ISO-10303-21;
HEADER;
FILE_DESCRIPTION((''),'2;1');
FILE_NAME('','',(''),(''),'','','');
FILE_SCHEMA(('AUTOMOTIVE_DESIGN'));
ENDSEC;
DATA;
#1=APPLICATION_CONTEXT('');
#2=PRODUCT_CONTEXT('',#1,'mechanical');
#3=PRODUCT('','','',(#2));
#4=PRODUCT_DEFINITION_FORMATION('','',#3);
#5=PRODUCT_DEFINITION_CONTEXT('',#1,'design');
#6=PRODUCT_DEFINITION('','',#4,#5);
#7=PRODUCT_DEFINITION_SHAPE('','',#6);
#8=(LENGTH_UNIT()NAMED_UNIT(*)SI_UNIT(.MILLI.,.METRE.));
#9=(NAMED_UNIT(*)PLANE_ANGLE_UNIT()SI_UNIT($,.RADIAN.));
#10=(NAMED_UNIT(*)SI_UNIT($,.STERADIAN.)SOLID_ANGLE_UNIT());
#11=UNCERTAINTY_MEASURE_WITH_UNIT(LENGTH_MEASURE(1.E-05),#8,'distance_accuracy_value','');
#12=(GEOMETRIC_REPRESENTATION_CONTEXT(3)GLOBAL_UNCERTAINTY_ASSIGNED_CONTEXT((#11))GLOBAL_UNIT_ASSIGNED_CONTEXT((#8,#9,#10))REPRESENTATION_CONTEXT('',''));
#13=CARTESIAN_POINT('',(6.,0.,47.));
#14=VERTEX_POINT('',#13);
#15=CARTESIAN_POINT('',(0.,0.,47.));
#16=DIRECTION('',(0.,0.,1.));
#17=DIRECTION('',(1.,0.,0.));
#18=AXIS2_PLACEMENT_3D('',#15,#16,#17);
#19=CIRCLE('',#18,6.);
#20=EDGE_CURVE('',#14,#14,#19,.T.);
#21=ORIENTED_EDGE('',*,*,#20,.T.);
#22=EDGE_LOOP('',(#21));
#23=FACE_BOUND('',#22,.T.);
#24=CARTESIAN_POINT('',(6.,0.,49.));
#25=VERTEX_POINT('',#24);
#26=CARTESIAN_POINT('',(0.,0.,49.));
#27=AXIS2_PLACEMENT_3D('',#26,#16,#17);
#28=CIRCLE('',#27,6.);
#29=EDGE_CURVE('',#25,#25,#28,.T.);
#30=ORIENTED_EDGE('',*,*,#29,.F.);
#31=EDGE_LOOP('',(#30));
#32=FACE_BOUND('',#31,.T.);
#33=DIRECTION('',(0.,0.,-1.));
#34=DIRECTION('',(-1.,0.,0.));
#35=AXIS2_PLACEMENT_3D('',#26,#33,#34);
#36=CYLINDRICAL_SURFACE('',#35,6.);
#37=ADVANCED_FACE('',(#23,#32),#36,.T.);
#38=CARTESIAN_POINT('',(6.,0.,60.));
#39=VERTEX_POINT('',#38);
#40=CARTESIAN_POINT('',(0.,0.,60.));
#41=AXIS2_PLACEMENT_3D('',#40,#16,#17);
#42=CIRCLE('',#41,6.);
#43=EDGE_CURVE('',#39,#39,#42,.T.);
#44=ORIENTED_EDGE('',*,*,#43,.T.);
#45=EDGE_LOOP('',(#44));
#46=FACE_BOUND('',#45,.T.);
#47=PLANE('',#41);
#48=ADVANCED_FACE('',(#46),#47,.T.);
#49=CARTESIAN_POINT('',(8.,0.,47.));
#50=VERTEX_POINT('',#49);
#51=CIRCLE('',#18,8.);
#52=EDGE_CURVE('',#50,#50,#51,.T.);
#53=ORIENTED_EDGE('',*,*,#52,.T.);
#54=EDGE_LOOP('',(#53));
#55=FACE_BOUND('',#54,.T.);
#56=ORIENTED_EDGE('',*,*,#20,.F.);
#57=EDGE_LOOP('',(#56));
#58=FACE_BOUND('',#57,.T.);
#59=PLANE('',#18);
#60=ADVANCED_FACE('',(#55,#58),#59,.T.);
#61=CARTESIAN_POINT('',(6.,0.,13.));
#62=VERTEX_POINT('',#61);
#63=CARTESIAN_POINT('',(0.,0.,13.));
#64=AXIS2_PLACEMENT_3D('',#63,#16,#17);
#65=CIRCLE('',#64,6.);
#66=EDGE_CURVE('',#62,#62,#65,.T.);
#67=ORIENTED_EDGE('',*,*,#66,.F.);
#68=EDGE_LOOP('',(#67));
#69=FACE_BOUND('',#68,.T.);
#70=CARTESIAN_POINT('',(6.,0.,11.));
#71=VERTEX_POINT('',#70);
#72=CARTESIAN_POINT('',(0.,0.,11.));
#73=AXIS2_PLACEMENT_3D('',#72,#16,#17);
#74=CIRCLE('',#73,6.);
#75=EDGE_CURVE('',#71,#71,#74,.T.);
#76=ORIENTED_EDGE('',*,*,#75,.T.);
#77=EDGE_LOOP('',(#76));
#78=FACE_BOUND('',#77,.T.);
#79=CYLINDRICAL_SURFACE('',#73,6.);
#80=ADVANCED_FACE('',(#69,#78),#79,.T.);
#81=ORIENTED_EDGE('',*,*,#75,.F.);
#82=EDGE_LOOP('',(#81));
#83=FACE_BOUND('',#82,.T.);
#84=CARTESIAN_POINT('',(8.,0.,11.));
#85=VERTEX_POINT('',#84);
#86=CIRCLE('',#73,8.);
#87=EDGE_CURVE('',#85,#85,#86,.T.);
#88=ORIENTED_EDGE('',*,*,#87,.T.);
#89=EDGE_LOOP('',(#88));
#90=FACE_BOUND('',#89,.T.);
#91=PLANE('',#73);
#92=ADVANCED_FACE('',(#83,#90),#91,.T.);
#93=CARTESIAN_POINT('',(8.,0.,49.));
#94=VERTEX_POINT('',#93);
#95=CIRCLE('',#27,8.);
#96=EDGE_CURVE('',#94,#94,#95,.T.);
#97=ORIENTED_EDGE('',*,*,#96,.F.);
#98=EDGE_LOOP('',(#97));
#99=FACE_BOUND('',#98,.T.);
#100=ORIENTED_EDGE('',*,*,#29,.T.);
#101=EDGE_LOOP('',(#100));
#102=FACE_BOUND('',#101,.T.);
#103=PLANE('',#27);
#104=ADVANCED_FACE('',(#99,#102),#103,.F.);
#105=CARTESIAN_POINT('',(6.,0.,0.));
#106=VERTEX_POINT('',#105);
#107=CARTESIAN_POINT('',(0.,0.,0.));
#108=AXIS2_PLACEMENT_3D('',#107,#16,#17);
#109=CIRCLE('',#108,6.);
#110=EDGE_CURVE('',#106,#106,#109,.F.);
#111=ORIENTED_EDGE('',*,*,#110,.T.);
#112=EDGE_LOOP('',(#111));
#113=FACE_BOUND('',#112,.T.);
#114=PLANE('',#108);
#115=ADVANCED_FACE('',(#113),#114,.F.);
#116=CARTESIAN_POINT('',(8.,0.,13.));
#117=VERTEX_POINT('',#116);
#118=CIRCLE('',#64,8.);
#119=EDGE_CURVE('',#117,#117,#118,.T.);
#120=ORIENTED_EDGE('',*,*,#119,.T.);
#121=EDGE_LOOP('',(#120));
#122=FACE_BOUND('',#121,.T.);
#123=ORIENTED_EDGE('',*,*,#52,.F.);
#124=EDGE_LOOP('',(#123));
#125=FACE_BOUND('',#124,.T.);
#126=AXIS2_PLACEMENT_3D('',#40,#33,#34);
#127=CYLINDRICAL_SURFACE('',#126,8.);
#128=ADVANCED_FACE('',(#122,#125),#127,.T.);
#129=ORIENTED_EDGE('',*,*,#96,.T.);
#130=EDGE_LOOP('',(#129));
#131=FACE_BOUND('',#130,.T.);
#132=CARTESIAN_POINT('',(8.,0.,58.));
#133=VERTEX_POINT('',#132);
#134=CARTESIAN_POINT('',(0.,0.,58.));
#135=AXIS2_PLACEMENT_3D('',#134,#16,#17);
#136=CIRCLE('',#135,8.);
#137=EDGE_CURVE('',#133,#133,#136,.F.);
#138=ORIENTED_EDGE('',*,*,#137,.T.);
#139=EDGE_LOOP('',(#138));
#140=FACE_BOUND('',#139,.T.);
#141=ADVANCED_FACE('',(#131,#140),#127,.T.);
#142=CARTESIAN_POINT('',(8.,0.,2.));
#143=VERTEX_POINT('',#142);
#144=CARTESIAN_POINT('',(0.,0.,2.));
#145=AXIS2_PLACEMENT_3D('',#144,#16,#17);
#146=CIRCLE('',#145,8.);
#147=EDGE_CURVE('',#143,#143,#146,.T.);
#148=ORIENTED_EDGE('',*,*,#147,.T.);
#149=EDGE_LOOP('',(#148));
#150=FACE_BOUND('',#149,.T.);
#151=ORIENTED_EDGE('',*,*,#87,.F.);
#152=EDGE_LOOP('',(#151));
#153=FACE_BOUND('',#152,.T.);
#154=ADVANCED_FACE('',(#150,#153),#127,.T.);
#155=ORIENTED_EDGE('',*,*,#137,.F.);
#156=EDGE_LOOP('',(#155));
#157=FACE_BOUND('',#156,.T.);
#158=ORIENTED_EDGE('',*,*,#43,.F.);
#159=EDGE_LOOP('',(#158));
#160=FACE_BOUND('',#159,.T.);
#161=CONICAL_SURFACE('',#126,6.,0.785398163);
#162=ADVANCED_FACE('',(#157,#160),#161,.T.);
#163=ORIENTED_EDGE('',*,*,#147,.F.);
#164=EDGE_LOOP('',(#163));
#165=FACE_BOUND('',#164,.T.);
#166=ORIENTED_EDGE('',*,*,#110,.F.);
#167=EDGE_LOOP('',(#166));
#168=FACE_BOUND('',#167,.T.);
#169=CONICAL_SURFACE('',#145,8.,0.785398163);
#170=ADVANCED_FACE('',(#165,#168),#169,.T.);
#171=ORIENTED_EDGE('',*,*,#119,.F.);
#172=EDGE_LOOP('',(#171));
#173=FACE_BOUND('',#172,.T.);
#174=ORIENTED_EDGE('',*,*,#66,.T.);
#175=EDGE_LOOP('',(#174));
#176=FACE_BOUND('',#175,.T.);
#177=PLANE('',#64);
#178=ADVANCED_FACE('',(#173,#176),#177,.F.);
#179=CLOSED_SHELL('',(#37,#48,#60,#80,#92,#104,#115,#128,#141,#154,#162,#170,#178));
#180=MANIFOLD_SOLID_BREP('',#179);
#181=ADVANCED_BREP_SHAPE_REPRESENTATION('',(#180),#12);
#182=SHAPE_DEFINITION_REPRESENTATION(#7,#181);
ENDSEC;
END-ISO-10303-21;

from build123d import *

# Parameters (mm, degrees)
SKETCH_1_R          = 8
EXTRUDE_1_DEPTH     = 60
CHAMFER_1_SIZE      = 2
SKETCH_3_OUTSIDE_W  = 30.824
SKETCH_3_OUTSIDE_H  = 30.824
SKETCH_3_OUTSIDE_R  = 6
CUT_EXTRUDE_1_DEPTH = 2
SKETCH_4_OUTSIDE_W  = 30.824
SKETCH_4_OUTSIDE_H  = 30.824
SKETCH_4_OUTSIDE_R  = 6
CUT_EXTRUDE_2_DEPTH = 2


with BuildPart() as part:
    # 草图1 → 凸台-拉伸1 (new body)
    with BuildSketch(Plane.XY):
        Circle(SKETCH_1_R)
    extrude(amount=EXTRUDE_1_DEPTH)

    # 倒角1
    chamfer_1_edges = [part.edges().sort_by_distance(p)[0] for p in [
        (-8, 0, 0),
        (-8, 0, 60),
    ]]
    chamfer(chamfer_1_edges, length=CHAMFER_1_SIZE)

    # 草图3 outside → 切除-拉伸1 (cut)
    with BuildSketch(Plane.XY.offset(13)):
        Rectangle(SKETCH_3_OUTSIDE_W, SKETCH_3_OUTSIDE_H)
        Circle(SKETCH_3_OUTSIDE_R, mode=Mode.SUBTRACT)
    extrude(amount=-CUT_EXTRUDE_1_DEPTH, mode=Mode.SUBTRACT)

    # 草图4 outside → 切除-拉伸2 (cut)
    with BuildSketch(Plane.XY.offset(47)):
        Rectangle(SKETCH_4_OUTSIDE_W, SKETCH_4_OUTSIDE_H)
        Circle(SKETCH_4_OUTSIDE_R, mode=Mode.SUBTRACT)
    extrude(amount=CUT_EXTRUDE_2_DEPTH, mode=Mode.SUBTRACT)


solid = part.part
